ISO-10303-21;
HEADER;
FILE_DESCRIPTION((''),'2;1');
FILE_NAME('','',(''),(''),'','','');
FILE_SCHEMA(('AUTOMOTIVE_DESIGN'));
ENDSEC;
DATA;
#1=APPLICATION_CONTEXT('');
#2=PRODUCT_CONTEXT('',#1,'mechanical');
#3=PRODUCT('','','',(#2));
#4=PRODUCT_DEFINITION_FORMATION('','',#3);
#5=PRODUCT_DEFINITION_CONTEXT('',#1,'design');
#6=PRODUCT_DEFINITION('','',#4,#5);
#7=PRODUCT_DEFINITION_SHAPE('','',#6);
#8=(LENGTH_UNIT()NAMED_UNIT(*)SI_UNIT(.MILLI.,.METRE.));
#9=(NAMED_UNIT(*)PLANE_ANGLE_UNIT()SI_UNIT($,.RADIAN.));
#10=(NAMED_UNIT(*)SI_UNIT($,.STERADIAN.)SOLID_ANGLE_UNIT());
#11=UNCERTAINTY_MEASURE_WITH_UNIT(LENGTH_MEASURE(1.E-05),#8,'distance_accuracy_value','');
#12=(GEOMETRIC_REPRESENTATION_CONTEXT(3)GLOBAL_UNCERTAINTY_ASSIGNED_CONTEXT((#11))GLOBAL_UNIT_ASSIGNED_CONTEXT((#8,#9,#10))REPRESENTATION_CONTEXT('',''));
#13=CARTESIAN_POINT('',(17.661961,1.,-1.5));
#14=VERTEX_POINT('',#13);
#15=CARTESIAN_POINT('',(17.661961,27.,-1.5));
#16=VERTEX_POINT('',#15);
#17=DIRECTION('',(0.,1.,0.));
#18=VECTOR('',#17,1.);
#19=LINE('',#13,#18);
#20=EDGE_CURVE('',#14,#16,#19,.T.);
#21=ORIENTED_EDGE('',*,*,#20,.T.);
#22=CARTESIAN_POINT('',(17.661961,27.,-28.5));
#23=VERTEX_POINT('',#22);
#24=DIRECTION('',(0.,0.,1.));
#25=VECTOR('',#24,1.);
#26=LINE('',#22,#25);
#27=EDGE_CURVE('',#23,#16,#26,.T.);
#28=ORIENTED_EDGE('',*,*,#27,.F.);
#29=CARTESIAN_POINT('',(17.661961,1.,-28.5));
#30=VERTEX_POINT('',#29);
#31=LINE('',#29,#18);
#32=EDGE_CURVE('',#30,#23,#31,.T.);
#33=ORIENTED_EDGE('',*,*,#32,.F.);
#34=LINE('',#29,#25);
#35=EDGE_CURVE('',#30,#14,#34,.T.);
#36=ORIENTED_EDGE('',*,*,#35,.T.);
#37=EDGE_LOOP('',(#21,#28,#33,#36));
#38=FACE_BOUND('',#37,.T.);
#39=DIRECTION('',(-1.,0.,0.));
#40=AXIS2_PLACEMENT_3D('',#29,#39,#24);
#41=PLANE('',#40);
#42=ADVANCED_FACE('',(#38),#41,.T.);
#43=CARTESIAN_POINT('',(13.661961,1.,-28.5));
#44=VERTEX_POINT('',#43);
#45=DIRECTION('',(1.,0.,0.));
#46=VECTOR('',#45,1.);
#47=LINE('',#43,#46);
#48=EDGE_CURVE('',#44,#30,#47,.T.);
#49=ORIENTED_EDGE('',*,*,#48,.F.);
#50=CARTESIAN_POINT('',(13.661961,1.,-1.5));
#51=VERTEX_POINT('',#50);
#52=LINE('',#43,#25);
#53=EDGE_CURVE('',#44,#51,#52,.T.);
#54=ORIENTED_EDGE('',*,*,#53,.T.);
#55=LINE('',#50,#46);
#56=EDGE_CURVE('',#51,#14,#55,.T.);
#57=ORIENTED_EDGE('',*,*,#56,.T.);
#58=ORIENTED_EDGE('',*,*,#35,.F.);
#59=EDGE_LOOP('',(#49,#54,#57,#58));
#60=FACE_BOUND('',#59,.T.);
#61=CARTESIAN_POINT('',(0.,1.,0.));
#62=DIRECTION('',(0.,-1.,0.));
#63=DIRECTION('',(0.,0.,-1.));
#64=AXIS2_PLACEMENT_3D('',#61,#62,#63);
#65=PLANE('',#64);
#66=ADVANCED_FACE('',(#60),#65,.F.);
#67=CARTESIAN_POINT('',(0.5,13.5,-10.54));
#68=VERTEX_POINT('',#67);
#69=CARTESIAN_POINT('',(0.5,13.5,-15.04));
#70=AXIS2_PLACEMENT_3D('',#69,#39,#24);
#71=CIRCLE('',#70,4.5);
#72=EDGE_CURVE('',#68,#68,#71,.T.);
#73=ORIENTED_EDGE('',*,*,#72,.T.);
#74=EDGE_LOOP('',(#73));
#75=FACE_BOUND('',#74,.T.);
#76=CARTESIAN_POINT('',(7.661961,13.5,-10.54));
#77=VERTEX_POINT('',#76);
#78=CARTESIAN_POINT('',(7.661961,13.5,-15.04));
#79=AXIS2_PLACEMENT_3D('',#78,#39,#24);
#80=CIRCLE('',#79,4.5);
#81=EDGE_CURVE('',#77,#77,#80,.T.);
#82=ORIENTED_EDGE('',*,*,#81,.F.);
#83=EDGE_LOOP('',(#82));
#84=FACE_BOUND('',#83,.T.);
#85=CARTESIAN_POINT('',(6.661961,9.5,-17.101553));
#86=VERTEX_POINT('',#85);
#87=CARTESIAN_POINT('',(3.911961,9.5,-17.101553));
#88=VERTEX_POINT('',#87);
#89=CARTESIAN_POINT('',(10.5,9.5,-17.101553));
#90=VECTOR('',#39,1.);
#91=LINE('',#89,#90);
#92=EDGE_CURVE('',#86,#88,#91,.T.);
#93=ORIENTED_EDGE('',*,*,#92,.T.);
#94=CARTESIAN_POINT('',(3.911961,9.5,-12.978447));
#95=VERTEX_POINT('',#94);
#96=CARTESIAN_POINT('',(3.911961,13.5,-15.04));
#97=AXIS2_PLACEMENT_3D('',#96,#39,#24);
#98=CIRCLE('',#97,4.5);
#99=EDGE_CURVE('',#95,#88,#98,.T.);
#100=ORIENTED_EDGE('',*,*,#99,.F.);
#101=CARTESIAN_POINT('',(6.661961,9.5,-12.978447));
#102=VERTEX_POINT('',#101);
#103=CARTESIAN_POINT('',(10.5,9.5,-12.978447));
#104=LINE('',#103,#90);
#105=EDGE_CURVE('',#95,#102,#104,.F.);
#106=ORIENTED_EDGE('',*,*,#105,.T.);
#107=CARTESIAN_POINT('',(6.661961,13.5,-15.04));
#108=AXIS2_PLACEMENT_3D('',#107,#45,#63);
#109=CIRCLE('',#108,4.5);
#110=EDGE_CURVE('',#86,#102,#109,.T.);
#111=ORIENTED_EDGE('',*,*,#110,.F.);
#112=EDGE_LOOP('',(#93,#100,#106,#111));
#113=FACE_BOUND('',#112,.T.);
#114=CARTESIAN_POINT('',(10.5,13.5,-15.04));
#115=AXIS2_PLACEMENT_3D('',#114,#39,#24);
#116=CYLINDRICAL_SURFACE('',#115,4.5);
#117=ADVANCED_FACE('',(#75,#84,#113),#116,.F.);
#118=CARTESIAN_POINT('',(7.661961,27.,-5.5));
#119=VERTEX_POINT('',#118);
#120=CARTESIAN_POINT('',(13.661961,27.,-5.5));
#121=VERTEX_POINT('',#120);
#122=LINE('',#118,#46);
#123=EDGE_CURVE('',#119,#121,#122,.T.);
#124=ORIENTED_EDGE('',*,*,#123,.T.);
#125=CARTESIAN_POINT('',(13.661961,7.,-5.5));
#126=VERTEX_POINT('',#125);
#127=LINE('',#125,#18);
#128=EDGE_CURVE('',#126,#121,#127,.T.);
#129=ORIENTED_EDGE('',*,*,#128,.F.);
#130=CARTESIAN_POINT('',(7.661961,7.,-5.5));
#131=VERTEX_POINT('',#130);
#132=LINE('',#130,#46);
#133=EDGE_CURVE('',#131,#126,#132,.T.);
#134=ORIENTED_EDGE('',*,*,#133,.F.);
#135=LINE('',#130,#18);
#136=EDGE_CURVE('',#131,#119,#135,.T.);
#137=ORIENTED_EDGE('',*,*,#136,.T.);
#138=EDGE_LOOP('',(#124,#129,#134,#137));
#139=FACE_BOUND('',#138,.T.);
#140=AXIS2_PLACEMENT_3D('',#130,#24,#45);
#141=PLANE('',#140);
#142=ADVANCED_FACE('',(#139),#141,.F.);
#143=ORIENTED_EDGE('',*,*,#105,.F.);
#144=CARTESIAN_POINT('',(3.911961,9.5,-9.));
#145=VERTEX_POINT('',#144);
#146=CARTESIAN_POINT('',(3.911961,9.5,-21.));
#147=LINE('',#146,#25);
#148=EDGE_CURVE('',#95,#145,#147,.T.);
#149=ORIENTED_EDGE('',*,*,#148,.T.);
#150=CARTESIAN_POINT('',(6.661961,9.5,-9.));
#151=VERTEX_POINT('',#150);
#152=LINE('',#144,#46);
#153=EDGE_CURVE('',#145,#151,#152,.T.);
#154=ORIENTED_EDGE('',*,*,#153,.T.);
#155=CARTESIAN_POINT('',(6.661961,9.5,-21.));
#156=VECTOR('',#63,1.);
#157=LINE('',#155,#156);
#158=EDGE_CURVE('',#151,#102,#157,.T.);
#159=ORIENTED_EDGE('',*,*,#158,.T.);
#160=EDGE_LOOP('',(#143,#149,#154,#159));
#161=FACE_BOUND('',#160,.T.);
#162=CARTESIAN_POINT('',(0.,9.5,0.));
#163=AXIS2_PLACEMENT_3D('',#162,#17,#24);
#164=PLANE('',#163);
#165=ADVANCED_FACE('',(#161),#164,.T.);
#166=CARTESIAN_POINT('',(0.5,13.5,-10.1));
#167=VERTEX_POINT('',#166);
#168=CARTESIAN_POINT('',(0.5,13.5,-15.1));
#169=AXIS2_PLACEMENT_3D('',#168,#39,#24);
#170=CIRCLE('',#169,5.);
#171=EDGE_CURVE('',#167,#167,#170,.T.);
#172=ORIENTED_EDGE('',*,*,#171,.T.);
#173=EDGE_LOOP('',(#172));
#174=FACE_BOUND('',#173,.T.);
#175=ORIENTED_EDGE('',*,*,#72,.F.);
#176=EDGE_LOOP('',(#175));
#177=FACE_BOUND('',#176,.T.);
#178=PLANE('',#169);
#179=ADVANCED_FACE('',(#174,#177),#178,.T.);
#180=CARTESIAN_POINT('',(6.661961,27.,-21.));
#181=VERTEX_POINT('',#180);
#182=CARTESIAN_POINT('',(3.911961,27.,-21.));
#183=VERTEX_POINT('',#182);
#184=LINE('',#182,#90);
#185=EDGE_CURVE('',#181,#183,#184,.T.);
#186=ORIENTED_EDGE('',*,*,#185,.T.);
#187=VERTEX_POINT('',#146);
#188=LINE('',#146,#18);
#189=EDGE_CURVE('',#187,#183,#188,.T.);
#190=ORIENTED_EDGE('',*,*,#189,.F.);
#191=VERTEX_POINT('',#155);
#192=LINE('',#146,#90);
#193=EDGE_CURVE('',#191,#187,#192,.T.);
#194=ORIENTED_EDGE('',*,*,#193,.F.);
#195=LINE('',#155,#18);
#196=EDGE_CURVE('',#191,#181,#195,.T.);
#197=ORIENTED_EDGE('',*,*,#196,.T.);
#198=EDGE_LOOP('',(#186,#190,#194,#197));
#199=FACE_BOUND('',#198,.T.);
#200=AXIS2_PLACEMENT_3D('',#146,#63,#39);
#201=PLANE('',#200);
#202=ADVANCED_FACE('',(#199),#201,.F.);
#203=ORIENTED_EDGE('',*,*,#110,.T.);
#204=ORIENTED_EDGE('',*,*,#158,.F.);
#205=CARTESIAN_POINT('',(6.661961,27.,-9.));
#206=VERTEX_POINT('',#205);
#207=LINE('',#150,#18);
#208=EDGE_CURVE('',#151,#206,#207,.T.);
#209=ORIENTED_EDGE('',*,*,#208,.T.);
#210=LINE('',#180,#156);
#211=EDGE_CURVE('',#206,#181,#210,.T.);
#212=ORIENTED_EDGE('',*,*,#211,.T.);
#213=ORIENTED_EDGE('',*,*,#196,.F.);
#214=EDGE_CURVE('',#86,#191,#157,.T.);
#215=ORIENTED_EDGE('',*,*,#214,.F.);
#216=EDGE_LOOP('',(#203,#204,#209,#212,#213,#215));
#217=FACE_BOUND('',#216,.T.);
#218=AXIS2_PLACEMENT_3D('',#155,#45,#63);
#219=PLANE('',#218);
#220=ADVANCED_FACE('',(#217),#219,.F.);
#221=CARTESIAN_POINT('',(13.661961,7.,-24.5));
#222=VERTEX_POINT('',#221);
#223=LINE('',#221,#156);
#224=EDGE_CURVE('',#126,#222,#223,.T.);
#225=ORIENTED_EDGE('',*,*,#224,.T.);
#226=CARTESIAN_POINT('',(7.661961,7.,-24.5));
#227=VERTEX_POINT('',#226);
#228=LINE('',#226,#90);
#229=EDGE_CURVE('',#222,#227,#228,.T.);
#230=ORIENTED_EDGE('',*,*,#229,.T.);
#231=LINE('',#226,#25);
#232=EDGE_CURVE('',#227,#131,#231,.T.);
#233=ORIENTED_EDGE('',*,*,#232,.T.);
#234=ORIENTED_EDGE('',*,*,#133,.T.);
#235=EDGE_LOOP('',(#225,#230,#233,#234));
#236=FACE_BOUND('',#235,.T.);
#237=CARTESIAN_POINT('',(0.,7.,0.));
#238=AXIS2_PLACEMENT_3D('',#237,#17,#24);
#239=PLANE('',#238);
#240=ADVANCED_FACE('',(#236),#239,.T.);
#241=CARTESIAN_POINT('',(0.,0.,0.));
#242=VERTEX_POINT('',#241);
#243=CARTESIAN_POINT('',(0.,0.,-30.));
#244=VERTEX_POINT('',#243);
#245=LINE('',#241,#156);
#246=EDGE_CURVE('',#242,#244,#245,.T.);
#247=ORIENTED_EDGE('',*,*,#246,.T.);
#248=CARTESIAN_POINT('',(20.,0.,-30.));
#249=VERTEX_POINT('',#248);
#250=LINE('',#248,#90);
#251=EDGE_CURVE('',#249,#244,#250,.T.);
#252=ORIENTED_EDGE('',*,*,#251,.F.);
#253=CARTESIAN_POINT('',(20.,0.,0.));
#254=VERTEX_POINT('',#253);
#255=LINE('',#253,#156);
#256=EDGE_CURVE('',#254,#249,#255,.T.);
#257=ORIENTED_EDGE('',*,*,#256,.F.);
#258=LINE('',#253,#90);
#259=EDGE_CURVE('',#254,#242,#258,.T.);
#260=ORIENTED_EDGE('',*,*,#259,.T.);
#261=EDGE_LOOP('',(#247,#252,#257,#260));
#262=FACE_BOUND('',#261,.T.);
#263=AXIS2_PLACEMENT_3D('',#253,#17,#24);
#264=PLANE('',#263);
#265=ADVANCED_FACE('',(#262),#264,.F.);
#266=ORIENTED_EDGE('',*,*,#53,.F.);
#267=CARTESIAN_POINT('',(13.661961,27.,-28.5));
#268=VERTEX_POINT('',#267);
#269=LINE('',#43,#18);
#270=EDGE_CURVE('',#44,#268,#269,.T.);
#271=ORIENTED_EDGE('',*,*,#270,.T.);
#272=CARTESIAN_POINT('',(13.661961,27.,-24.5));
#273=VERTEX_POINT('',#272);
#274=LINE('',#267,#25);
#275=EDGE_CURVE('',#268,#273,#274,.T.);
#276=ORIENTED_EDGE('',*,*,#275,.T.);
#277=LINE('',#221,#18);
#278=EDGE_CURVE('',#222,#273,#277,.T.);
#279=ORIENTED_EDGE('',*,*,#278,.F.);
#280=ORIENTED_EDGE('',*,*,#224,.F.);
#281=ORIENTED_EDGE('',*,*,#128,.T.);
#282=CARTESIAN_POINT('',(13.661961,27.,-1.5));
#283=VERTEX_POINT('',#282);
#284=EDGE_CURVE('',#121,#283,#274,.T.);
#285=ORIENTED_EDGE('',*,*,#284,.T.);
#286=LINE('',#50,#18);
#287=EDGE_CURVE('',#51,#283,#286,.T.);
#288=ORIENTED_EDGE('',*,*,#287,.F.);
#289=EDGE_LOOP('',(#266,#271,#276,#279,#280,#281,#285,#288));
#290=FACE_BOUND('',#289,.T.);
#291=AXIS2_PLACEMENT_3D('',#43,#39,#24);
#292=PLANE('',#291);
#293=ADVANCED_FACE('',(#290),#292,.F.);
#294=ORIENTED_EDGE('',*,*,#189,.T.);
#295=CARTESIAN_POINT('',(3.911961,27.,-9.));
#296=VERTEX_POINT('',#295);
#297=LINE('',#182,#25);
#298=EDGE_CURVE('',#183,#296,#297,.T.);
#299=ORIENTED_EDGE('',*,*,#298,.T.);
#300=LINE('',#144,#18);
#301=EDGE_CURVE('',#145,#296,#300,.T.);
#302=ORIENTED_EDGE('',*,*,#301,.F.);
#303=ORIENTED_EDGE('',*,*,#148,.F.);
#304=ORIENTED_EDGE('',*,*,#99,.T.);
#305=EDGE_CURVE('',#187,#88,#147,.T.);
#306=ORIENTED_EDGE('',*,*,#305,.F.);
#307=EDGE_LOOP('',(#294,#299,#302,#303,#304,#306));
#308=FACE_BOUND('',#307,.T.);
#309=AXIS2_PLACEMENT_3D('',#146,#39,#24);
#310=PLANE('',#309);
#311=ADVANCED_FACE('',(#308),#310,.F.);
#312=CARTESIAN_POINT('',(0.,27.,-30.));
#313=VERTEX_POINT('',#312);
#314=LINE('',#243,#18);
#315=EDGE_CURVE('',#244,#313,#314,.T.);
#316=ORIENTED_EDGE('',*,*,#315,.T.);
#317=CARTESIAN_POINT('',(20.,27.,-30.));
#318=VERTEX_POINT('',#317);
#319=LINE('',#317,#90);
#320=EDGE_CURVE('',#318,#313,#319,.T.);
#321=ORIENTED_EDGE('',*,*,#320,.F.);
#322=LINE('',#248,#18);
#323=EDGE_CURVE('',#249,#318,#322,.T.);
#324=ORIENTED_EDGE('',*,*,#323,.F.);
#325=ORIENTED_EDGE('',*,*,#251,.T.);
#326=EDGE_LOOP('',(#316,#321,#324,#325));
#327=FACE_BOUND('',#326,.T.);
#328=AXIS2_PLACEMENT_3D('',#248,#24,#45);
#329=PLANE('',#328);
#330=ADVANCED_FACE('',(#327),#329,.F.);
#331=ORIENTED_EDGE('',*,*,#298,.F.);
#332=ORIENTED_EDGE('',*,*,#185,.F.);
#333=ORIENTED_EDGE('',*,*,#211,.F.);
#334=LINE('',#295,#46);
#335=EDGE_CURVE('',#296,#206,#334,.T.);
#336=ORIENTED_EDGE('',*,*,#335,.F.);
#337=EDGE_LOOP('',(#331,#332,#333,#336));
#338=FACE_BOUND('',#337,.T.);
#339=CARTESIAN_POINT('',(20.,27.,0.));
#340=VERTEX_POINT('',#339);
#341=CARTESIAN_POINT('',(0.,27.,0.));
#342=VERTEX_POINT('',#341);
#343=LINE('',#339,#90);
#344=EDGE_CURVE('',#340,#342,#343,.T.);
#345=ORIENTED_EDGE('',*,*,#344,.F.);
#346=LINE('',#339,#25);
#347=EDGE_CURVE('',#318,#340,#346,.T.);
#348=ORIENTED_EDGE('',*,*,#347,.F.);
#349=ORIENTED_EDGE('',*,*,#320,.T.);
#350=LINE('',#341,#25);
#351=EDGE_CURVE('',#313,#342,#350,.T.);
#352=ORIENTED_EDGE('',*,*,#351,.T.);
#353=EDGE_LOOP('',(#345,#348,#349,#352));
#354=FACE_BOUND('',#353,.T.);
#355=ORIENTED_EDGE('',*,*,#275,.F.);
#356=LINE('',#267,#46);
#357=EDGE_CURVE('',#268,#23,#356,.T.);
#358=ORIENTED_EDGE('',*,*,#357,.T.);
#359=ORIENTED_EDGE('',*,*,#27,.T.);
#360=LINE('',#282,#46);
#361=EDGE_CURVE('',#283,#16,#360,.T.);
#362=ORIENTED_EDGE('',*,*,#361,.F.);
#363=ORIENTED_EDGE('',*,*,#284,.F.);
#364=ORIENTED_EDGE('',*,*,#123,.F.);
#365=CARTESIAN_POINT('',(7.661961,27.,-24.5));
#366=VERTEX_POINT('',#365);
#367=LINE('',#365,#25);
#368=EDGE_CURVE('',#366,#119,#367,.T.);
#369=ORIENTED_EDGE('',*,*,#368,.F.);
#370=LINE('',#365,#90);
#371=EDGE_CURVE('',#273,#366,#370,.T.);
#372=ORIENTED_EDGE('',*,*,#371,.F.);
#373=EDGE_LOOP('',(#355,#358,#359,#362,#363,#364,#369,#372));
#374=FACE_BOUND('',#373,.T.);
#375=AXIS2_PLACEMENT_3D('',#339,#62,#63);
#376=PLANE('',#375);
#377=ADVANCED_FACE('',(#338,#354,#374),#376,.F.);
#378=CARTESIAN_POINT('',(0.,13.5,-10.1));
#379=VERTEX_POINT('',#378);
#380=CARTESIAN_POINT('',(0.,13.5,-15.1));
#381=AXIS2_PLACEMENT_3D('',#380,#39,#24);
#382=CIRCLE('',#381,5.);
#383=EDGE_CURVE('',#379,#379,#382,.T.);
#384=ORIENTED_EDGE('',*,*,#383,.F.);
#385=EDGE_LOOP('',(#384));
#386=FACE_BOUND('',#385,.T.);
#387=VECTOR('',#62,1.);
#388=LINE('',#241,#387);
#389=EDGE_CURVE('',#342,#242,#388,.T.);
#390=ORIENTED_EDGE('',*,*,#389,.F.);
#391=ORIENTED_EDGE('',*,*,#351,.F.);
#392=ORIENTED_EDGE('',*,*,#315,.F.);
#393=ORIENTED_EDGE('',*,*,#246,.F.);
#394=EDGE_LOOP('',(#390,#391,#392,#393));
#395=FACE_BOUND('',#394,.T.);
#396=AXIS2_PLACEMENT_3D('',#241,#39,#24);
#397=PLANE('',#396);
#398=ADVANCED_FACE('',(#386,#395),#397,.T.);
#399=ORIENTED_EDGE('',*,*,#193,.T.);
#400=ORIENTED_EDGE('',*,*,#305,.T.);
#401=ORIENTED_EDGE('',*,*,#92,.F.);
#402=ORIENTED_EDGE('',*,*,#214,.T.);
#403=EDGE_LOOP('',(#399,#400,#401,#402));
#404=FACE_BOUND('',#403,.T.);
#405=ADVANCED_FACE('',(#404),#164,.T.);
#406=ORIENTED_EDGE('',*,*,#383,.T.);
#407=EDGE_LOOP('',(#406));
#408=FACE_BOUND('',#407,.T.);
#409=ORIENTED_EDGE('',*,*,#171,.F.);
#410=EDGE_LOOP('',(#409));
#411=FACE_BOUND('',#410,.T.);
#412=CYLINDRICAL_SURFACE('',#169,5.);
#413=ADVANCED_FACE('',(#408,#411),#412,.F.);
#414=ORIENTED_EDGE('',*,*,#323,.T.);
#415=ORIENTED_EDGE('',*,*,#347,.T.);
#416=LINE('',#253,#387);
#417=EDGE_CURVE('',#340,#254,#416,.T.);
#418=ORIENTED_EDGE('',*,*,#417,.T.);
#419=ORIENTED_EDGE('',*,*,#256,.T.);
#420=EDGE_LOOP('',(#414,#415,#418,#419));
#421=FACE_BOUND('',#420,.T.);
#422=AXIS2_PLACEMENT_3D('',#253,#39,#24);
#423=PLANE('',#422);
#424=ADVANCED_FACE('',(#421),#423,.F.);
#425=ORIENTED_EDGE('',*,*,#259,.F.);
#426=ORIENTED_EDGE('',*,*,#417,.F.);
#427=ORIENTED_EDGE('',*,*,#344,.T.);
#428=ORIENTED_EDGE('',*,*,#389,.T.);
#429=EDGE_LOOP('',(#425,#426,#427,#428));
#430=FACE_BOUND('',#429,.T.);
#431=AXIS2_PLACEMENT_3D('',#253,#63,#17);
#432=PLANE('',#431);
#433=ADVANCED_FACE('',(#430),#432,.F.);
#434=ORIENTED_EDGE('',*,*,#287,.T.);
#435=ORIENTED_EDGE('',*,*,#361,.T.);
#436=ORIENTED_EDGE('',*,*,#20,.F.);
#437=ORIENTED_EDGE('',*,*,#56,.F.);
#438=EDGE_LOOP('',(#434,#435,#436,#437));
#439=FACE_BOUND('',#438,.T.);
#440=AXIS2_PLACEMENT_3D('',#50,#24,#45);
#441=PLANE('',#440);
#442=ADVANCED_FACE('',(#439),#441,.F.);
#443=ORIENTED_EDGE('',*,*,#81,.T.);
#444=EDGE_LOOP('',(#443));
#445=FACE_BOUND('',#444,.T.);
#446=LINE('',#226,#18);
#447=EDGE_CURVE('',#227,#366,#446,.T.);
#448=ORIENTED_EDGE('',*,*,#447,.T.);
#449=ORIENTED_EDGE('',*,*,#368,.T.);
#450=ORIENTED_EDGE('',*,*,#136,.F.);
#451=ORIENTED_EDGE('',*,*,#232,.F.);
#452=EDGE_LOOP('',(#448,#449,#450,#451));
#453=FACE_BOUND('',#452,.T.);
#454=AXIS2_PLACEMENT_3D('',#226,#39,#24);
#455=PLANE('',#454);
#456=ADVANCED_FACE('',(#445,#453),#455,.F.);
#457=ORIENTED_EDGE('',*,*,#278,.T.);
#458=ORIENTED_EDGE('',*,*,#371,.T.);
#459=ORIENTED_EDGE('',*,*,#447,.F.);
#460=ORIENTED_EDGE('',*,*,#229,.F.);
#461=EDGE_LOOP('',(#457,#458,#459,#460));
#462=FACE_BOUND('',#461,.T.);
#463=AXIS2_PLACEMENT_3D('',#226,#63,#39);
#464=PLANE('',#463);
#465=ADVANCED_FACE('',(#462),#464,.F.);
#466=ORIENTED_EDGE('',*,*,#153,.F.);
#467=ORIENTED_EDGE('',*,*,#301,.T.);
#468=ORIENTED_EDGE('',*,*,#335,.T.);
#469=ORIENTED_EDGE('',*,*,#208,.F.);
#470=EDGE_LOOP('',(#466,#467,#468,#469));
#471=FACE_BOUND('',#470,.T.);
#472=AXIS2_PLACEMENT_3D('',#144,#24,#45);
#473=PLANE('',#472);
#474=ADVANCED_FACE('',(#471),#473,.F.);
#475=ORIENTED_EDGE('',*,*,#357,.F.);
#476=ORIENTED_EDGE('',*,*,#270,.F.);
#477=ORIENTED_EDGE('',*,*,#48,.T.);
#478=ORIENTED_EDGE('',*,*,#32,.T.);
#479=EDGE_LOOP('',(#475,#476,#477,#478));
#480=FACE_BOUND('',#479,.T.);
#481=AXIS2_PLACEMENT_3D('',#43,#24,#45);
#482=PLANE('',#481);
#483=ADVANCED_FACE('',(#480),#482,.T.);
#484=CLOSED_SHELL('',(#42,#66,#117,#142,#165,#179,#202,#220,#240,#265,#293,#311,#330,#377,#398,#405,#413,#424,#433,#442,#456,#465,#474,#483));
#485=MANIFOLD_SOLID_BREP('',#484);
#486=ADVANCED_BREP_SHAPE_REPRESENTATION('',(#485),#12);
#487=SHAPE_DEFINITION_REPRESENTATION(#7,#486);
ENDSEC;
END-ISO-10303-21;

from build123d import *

# Parameters (mm, degrees)
SKETCH2_W           = 30
SKETCH2_H           = 27
BOSS_EXTRUDE1_DEPTH = 20
SKETCH6_W           = 4
SKETCH6_H           = 27
CUT_EXTRUDE4_DEPTH  = 26
SKETCH9_W           = 6
SKETCH9_H           = 19
CUT_EXTRUDE5_DEPTH  = 20
SKETCH11_R          = 5
CUT_EXTRUDE8_DEPTH  = 0.5
SKETCH12_W          = 2.75
SKETCH12_H          = 12
CUT_EXTRUDE12_DEPTH = 17.5
SKETCH15_R          = 4.5
CUT_EXTRUDE13_DEPTH = 10


with BuildPart() as part:
    # Sketch2 → Boss-Extrude1 (new body)
    with BuildSketch(Plane(origin=(0, 0, 0), x_dir=(0, 0, -1), z_dir=(1, 0, 0))):
        with Locations((15, 13.5)):
            Rectangle(SKETCH2_W, SKETCH2_H)
    extrude(amount=BOSS_EXTRUDE1_DEPTH)

    # Sketch6 → Cut-Extrude4 (cut)
    with BuildSketch(Plane(origin=(2.296116437, 27, -0.293484995), x_dir=(1, 0, 0), z_dir=(0, 1, 0))):
        with Locations((13.365844825, 14.706515005)):
            Rectangle(SKETCH6_W, SKETCH6_H)
    extrude(amount=-CUT_EXTRUDE4_DEPTH, mode=Mode.SUBTRACT)

    # Sketch9 → Cut-Extrude5 (cut)
    with BuildSketch(Plane(origin=(0, 27, 0), x_dir=(1, 0, 0), z_dir=(0, 1, 0))):
        with Locations((10.661961261, 15)):
            Rectangle(SKETCH9_W, SKETCH9_H)
    extrude(amount=-CUT_EXTRUDE5_DEPTH, mode=Mode.SUBTRACT)

    # Sketch11 → Cut-Extrude8 (cut)
    with BuildSketch(Plane.ZY):
        with Locations((-15.1, 13.5)):
            Circle(SKETCH11_R)
    extrude(amount=-CUT_EXTRUDE8_DEPTH, mode=Mode.SUBTRACT)

    # Sketch12 → Cut-Extrude12 (cut)
    with BuildSketch(Plane(origin=(0, 27, 0), x_dir=(1, 0, 0), z_dir=(0, 1, 0))):
        with Locations((5.286961261, 15)):
            Rectangle(SKETCH12_W, SKETCH12_H)
    extrude(amount=-CUT_EXTRUDE12_DEPTH, mode=Mode.SUBTRACT)

    # Sketch15 → Cut-Extrude13 (cut)
    with BuildSketch(Plane.ZY.offset(-0.5)):
        with Locations((-15.04, 13.5)):
            Circle(SKETCH15_R)
    extrude(amount=-CUT_EXTRUDE13_DEPTH, mode=Mode.SUBTRACT)


solid = part.part
